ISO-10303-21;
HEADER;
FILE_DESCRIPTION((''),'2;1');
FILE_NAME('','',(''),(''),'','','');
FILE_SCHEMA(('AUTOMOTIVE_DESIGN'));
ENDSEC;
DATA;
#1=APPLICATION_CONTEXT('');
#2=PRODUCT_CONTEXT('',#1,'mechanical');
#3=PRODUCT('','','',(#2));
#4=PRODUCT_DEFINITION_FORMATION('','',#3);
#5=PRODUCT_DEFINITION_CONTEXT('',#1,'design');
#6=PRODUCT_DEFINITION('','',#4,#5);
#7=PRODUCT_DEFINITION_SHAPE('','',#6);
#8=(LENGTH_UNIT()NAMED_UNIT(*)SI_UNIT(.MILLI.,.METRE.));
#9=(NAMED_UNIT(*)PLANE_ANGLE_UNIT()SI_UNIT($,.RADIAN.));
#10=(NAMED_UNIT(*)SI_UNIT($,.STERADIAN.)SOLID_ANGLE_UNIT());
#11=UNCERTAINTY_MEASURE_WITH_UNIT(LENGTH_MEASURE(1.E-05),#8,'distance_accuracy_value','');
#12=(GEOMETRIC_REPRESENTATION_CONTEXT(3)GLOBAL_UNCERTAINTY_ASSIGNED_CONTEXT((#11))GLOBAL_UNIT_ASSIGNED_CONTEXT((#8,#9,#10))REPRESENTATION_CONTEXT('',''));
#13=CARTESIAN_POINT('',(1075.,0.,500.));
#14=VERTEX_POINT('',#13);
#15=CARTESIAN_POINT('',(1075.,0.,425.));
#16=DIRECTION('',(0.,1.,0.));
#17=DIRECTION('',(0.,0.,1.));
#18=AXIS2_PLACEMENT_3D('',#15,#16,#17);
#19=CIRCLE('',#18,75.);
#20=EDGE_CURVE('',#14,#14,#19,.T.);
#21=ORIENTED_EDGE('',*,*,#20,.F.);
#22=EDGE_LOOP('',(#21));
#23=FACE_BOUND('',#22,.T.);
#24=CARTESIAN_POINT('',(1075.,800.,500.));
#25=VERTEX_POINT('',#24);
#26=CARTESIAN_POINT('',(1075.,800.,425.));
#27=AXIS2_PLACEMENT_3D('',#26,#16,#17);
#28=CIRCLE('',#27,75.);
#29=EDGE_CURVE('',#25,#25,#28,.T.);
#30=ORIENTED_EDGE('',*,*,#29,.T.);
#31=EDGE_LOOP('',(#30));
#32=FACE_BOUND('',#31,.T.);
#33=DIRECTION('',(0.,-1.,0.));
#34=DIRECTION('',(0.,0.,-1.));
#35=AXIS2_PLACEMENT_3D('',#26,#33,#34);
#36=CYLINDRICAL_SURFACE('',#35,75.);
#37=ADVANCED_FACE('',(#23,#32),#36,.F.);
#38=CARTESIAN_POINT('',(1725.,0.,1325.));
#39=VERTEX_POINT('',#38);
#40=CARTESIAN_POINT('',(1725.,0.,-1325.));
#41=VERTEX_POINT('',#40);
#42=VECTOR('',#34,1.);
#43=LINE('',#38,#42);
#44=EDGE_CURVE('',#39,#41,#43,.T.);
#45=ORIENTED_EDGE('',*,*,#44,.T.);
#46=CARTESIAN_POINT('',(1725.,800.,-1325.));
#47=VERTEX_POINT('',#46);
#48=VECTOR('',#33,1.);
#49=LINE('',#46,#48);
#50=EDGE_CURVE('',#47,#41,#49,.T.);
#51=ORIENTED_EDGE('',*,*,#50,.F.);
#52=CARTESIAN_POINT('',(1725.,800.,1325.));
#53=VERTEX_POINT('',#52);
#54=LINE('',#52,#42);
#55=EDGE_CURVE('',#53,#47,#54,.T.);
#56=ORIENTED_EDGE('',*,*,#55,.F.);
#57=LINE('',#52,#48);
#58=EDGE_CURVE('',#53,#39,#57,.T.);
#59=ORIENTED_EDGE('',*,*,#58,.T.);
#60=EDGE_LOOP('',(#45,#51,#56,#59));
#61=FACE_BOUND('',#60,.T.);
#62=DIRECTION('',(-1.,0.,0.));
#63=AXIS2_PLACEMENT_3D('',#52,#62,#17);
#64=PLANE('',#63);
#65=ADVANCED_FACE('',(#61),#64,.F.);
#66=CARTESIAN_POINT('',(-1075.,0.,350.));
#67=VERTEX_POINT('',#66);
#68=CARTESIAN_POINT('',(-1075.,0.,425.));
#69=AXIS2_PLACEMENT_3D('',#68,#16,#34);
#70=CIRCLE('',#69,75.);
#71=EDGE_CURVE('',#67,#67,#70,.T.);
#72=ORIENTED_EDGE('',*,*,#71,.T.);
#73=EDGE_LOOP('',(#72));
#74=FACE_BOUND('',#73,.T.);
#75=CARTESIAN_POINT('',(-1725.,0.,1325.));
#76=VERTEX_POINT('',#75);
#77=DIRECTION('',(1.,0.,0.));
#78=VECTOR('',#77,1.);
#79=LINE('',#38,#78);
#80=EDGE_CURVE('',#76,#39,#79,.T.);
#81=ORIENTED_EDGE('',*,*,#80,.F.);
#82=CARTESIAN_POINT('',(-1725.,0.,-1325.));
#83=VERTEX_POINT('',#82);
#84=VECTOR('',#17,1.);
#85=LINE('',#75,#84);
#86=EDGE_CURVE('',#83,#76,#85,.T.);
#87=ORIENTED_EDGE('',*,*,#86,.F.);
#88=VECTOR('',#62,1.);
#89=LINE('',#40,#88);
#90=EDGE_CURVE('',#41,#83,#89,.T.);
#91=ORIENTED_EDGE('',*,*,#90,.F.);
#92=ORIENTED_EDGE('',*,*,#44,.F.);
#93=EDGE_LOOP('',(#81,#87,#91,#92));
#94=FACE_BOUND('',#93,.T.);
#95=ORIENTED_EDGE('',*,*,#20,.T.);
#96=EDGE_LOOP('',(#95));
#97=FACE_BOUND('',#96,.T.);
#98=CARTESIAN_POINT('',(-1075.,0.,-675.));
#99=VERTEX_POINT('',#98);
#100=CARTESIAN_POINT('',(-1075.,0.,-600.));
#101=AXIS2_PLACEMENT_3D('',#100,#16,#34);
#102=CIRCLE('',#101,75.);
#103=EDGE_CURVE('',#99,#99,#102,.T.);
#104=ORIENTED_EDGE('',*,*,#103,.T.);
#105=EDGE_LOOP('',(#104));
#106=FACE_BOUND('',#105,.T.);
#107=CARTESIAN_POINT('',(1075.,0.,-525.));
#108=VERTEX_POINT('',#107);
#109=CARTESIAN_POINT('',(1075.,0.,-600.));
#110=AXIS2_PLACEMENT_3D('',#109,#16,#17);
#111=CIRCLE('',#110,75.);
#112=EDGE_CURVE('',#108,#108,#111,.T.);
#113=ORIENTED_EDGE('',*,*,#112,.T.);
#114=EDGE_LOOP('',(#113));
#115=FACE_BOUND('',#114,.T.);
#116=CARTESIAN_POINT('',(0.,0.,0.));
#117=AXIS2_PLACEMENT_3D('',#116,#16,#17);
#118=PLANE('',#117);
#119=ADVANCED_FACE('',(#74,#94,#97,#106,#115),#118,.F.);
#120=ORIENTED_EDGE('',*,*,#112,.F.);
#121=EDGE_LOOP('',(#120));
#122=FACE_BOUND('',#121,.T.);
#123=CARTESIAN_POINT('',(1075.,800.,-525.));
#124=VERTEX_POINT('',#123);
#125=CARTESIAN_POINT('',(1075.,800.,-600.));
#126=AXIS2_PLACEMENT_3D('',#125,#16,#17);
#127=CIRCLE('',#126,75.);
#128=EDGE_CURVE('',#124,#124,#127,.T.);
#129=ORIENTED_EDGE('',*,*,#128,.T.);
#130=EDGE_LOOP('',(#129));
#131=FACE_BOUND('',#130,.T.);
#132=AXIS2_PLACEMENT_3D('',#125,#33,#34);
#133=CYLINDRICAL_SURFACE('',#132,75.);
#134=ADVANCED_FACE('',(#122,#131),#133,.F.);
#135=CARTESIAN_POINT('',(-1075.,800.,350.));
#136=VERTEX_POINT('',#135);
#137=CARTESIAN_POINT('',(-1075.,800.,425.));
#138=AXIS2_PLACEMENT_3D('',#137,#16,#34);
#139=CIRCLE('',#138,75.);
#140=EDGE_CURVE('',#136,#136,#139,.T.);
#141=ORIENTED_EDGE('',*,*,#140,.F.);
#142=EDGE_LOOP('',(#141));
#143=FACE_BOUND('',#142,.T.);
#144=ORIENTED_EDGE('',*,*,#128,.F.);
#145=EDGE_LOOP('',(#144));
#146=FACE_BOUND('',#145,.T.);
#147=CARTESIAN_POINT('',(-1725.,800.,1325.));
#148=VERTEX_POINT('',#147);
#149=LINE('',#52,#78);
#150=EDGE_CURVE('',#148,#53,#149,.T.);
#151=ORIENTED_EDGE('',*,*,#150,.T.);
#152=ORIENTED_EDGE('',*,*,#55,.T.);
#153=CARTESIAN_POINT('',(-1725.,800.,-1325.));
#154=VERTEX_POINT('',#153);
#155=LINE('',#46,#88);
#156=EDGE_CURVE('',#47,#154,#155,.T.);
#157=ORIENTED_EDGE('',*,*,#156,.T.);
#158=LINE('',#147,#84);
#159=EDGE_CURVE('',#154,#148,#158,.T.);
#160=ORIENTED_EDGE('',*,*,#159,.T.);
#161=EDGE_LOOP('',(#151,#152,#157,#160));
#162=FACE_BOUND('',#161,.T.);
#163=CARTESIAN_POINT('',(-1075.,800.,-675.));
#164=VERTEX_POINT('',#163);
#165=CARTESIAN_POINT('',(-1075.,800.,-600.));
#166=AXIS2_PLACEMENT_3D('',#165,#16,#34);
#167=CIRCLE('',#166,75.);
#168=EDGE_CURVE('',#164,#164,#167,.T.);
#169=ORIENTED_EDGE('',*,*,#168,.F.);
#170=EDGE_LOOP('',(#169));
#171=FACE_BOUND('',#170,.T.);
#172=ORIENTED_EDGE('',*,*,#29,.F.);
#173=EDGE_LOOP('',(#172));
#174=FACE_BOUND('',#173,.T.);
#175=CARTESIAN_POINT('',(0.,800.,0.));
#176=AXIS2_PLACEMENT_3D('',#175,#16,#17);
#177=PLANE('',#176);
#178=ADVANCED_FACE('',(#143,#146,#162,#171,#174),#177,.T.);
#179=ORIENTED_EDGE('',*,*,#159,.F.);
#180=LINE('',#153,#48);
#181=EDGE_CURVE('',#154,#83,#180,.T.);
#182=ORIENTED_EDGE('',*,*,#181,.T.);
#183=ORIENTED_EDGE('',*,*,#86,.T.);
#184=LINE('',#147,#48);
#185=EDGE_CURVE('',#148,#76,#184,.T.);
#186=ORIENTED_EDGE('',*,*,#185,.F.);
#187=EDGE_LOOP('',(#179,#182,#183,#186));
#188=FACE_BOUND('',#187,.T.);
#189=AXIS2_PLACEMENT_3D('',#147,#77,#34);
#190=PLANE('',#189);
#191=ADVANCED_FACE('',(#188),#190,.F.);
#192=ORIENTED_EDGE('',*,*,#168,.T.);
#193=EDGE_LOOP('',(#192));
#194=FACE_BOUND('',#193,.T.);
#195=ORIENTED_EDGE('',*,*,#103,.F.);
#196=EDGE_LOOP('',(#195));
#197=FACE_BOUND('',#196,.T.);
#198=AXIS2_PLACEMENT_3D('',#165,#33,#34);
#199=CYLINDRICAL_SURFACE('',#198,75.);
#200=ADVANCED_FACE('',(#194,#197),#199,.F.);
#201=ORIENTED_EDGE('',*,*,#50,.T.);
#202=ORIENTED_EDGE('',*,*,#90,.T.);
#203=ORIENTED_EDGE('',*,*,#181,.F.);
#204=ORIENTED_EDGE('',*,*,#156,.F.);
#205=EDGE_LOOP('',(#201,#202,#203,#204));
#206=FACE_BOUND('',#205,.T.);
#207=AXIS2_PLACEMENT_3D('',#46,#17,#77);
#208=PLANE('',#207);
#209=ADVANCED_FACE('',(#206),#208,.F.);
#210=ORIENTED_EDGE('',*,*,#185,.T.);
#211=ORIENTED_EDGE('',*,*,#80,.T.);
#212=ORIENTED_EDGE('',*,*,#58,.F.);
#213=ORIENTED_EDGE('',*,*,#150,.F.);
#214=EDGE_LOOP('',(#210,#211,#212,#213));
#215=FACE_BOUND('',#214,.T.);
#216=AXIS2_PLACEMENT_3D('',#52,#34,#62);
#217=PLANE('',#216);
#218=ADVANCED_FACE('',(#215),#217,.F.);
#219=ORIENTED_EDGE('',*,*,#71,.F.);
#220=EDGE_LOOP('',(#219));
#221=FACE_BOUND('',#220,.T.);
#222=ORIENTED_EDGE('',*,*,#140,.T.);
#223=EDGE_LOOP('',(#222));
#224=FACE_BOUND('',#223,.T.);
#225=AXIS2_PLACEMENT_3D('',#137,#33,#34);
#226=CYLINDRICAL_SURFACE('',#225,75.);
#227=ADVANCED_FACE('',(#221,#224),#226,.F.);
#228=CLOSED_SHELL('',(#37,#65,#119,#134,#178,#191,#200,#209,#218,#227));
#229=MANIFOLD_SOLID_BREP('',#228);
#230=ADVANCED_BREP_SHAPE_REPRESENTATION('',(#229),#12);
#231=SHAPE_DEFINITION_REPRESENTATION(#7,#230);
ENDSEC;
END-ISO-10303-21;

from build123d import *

# Parameters (mm, degrees)
SKETCH2_W           = 3450
SKETCH2_H           = 2650
SKETCH2_R           = 75
BOSS_EXTRUDE1_DEPTH = 800


with BuildPart() as part:
    # Sketch2 → Boss-Extrude1 (new body)
    with BuildSketch(Plane(origin=(0, 0, 0), x_dir=(1, 0, 0), z_dir=(0, 1, 0))):
        Rectangle(SKETCH2_W, SKETCH2_H)
        with Locations(Location((1075, -425, 0), (0, 0, 270))):
            Circle(SKETCH2_R, mode=Mode.SUBTRACT)
        with Locations(Location((1075, 600, 0), (0, 0, 270))):
            Circle(SKETCH2_R, mode=Mode.SUBTRACT)
        with Locations(Location((-1075, -425, 0), (0, 0, 90))):
            Circle(SKETCH2_R, mode=Mode.SUBTRACT)
        with Locations(Location((-1075, 600, 0), (0, 0, 90))):
            Circle(SKETCH2_R, mode=Mode.SUBTRACT)
    extrude(amount=BOSS_EXTRUDE1_DEPTH)


solid = part.part
